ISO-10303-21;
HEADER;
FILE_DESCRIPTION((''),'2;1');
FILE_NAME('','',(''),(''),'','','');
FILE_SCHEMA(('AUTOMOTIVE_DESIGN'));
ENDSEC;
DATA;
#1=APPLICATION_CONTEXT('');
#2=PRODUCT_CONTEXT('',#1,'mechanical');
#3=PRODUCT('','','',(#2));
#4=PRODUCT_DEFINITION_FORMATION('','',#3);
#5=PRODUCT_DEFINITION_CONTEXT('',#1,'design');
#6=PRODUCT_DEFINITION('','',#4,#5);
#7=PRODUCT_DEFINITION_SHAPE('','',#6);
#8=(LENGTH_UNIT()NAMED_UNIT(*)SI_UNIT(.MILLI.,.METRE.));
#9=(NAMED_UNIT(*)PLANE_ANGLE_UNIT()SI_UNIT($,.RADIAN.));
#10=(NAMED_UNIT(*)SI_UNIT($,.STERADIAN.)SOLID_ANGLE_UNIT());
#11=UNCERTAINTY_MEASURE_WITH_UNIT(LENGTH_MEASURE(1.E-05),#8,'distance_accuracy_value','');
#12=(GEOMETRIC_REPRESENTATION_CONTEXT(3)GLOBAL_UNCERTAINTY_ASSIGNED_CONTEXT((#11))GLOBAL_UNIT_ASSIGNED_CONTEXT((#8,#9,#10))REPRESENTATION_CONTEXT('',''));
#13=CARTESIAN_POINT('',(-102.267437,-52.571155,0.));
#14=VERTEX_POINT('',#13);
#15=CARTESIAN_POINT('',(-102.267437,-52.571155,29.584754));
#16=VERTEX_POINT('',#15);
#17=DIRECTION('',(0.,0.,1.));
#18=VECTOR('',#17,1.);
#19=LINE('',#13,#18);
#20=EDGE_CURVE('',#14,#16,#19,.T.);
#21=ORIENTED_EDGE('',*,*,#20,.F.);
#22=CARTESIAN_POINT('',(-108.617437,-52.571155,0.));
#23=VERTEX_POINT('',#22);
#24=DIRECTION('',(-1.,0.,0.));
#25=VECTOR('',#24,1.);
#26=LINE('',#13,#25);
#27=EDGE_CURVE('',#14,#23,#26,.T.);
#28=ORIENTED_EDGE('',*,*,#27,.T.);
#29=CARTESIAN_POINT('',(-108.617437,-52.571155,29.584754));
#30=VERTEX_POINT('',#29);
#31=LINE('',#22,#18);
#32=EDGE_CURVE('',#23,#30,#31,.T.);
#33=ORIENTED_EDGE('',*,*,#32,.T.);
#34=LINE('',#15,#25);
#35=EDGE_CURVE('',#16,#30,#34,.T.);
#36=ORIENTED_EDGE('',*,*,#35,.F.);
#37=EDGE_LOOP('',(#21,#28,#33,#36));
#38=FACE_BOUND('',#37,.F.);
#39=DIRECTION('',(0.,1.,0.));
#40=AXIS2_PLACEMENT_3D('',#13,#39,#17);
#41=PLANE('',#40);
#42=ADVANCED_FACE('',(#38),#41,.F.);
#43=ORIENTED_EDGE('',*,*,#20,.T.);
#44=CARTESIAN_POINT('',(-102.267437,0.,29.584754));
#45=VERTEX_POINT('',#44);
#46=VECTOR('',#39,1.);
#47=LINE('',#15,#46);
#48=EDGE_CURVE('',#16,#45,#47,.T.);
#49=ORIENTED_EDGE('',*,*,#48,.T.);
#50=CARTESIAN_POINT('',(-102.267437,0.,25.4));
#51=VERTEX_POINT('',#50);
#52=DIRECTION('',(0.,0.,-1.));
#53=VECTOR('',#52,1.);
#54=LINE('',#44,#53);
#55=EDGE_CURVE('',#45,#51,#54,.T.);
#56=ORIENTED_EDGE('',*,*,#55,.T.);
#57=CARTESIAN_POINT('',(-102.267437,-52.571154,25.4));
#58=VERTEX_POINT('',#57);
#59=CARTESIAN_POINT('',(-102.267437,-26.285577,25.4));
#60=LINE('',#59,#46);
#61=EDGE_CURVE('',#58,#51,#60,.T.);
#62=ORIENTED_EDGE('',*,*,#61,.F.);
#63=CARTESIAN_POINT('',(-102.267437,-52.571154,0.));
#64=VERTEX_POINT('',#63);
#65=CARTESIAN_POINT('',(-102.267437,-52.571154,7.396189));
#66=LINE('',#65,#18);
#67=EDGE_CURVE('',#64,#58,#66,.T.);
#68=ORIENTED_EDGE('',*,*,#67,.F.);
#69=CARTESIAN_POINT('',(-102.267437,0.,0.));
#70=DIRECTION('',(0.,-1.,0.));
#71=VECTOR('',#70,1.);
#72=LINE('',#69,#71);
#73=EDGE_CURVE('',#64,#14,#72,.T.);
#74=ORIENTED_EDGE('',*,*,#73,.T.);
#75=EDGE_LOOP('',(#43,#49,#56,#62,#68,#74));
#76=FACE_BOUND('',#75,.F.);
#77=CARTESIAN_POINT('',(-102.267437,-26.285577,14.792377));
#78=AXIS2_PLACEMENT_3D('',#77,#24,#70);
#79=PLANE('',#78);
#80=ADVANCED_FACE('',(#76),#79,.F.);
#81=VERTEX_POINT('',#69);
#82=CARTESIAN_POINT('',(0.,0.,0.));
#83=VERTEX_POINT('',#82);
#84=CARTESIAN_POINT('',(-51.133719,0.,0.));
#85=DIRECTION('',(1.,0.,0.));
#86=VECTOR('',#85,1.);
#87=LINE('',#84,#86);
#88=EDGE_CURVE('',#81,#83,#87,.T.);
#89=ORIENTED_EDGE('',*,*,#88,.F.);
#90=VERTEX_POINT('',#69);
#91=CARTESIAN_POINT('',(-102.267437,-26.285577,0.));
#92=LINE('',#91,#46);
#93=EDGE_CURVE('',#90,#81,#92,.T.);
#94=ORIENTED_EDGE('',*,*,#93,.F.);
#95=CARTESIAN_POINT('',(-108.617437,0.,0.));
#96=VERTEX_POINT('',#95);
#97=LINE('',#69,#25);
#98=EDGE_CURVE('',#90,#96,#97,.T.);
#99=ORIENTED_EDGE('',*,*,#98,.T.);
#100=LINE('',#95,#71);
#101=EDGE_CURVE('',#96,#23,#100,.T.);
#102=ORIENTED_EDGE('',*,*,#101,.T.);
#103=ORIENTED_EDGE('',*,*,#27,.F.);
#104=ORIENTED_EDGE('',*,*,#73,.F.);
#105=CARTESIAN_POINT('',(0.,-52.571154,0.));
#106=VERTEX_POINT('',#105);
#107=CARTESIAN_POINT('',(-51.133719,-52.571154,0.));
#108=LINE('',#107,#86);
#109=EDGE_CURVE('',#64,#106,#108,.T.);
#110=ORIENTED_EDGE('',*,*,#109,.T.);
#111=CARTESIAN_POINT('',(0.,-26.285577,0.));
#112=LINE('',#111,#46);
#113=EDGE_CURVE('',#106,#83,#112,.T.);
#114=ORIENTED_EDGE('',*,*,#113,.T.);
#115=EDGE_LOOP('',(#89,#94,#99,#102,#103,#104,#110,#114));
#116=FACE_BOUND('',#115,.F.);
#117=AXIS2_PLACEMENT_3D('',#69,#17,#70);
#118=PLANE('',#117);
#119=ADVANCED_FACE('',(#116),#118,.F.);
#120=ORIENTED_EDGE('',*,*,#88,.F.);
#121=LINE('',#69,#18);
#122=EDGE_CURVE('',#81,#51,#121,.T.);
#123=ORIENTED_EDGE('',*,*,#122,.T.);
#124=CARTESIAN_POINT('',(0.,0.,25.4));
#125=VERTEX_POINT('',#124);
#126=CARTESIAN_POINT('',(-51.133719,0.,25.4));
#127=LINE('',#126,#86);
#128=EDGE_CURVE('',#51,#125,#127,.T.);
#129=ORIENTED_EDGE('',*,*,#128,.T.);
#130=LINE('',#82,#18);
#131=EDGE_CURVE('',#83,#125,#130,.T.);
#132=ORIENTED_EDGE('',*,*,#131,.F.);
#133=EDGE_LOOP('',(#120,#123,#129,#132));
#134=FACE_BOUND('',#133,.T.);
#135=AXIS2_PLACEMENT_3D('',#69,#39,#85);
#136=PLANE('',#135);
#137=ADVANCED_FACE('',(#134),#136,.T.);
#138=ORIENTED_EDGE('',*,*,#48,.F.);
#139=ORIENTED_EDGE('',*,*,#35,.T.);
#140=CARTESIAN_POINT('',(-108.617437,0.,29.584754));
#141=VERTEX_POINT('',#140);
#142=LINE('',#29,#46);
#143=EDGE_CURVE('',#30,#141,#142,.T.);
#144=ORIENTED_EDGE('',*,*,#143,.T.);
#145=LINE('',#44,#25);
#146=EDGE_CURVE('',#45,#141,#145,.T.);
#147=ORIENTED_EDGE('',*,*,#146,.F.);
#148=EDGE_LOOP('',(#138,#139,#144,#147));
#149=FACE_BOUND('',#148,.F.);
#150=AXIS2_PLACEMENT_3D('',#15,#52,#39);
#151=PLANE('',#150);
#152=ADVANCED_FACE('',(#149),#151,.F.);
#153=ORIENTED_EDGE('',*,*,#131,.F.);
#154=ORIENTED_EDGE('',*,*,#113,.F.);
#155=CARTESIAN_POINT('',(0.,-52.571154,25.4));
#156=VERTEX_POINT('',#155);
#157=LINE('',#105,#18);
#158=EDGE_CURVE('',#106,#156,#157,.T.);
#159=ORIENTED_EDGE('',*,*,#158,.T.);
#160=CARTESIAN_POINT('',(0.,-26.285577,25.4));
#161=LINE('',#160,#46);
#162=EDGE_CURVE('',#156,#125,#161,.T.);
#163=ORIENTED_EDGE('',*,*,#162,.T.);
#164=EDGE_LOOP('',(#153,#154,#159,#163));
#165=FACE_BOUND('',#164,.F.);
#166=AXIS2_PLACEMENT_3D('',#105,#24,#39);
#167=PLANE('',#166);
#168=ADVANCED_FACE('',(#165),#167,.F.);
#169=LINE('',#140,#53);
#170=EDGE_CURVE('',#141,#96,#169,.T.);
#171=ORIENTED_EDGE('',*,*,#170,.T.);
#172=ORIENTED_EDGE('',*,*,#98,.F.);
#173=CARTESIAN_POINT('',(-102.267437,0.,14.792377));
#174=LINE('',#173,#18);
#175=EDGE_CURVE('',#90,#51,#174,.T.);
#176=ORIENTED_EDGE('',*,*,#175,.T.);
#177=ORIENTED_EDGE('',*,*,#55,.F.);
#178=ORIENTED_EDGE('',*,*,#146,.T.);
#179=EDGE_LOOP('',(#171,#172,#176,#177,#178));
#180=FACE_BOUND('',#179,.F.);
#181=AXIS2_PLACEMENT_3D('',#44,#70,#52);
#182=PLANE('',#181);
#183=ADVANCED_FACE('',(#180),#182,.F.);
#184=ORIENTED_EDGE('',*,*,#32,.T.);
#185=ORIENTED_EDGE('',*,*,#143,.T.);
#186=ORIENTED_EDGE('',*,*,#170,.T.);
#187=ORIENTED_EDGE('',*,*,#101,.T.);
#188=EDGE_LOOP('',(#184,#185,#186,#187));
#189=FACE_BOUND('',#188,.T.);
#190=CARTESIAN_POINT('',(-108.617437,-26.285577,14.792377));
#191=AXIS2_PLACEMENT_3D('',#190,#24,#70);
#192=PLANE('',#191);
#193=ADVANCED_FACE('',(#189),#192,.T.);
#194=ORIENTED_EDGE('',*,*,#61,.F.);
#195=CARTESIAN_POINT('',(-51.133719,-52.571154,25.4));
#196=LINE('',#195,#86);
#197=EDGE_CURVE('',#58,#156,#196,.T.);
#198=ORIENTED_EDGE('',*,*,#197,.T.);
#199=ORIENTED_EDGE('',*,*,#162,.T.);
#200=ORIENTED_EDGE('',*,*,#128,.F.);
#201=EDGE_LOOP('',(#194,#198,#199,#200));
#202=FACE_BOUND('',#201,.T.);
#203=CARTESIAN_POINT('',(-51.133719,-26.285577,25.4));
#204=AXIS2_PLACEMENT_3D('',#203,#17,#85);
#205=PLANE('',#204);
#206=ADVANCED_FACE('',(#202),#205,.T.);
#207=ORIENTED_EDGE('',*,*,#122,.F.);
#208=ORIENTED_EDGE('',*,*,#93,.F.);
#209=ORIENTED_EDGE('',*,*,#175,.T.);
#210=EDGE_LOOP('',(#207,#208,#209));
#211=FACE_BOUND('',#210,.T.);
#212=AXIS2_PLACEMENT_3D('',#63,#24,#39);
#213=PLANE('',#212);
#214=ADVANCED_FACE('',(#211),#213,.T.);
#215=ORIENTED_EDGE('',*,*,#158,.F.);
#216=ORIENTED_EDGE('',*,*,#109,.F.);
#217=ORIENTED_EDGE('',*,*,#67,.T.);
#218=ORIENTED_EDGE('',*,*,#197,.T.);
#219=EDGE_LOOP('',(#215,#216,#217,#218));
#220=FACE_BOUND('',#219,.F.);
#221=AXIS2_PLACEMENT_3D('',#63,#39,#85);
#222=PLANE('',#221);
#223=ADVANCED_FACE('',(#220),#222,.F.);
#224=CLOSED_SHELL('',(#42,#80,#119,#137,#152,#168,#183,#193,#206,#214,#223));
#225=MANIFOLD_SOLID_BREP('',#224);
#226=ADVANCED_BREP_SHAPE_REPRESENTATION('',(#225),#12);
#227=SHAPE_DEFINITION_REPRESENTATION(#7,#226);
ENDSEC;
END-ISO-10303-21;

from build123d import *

# Parameters (mm, degrees)
F0_W     = 102.267437
F0_H     = 52.571155
F1_DEPTH = 25.4
F3_DEPTH = 6.35


with BuildPart() as f1:
    # F0 (on Top) → F1 (new body)
    with BuildSketch(Plane.XY):
        with Locations((-51.133719, -26.285577)):
            Rectangle(F0_W, F0_H)
    extrude(amount=F1_DEPTH)

    # F2 (on face) → F3 (join)
    with BuildSketch(Plane(origin=(-102.267437, 0, 0), x_dir=(0, -1, 0), z_dir=(-1, 0, 0))):
        Polygon((0, 29.584754), (0, 0), (18.654425, 0), (52.571155, 0), (52.571155, 29.584754), align=None)
    extrude(amount=F3_DEPTH)


solid = f1.part
